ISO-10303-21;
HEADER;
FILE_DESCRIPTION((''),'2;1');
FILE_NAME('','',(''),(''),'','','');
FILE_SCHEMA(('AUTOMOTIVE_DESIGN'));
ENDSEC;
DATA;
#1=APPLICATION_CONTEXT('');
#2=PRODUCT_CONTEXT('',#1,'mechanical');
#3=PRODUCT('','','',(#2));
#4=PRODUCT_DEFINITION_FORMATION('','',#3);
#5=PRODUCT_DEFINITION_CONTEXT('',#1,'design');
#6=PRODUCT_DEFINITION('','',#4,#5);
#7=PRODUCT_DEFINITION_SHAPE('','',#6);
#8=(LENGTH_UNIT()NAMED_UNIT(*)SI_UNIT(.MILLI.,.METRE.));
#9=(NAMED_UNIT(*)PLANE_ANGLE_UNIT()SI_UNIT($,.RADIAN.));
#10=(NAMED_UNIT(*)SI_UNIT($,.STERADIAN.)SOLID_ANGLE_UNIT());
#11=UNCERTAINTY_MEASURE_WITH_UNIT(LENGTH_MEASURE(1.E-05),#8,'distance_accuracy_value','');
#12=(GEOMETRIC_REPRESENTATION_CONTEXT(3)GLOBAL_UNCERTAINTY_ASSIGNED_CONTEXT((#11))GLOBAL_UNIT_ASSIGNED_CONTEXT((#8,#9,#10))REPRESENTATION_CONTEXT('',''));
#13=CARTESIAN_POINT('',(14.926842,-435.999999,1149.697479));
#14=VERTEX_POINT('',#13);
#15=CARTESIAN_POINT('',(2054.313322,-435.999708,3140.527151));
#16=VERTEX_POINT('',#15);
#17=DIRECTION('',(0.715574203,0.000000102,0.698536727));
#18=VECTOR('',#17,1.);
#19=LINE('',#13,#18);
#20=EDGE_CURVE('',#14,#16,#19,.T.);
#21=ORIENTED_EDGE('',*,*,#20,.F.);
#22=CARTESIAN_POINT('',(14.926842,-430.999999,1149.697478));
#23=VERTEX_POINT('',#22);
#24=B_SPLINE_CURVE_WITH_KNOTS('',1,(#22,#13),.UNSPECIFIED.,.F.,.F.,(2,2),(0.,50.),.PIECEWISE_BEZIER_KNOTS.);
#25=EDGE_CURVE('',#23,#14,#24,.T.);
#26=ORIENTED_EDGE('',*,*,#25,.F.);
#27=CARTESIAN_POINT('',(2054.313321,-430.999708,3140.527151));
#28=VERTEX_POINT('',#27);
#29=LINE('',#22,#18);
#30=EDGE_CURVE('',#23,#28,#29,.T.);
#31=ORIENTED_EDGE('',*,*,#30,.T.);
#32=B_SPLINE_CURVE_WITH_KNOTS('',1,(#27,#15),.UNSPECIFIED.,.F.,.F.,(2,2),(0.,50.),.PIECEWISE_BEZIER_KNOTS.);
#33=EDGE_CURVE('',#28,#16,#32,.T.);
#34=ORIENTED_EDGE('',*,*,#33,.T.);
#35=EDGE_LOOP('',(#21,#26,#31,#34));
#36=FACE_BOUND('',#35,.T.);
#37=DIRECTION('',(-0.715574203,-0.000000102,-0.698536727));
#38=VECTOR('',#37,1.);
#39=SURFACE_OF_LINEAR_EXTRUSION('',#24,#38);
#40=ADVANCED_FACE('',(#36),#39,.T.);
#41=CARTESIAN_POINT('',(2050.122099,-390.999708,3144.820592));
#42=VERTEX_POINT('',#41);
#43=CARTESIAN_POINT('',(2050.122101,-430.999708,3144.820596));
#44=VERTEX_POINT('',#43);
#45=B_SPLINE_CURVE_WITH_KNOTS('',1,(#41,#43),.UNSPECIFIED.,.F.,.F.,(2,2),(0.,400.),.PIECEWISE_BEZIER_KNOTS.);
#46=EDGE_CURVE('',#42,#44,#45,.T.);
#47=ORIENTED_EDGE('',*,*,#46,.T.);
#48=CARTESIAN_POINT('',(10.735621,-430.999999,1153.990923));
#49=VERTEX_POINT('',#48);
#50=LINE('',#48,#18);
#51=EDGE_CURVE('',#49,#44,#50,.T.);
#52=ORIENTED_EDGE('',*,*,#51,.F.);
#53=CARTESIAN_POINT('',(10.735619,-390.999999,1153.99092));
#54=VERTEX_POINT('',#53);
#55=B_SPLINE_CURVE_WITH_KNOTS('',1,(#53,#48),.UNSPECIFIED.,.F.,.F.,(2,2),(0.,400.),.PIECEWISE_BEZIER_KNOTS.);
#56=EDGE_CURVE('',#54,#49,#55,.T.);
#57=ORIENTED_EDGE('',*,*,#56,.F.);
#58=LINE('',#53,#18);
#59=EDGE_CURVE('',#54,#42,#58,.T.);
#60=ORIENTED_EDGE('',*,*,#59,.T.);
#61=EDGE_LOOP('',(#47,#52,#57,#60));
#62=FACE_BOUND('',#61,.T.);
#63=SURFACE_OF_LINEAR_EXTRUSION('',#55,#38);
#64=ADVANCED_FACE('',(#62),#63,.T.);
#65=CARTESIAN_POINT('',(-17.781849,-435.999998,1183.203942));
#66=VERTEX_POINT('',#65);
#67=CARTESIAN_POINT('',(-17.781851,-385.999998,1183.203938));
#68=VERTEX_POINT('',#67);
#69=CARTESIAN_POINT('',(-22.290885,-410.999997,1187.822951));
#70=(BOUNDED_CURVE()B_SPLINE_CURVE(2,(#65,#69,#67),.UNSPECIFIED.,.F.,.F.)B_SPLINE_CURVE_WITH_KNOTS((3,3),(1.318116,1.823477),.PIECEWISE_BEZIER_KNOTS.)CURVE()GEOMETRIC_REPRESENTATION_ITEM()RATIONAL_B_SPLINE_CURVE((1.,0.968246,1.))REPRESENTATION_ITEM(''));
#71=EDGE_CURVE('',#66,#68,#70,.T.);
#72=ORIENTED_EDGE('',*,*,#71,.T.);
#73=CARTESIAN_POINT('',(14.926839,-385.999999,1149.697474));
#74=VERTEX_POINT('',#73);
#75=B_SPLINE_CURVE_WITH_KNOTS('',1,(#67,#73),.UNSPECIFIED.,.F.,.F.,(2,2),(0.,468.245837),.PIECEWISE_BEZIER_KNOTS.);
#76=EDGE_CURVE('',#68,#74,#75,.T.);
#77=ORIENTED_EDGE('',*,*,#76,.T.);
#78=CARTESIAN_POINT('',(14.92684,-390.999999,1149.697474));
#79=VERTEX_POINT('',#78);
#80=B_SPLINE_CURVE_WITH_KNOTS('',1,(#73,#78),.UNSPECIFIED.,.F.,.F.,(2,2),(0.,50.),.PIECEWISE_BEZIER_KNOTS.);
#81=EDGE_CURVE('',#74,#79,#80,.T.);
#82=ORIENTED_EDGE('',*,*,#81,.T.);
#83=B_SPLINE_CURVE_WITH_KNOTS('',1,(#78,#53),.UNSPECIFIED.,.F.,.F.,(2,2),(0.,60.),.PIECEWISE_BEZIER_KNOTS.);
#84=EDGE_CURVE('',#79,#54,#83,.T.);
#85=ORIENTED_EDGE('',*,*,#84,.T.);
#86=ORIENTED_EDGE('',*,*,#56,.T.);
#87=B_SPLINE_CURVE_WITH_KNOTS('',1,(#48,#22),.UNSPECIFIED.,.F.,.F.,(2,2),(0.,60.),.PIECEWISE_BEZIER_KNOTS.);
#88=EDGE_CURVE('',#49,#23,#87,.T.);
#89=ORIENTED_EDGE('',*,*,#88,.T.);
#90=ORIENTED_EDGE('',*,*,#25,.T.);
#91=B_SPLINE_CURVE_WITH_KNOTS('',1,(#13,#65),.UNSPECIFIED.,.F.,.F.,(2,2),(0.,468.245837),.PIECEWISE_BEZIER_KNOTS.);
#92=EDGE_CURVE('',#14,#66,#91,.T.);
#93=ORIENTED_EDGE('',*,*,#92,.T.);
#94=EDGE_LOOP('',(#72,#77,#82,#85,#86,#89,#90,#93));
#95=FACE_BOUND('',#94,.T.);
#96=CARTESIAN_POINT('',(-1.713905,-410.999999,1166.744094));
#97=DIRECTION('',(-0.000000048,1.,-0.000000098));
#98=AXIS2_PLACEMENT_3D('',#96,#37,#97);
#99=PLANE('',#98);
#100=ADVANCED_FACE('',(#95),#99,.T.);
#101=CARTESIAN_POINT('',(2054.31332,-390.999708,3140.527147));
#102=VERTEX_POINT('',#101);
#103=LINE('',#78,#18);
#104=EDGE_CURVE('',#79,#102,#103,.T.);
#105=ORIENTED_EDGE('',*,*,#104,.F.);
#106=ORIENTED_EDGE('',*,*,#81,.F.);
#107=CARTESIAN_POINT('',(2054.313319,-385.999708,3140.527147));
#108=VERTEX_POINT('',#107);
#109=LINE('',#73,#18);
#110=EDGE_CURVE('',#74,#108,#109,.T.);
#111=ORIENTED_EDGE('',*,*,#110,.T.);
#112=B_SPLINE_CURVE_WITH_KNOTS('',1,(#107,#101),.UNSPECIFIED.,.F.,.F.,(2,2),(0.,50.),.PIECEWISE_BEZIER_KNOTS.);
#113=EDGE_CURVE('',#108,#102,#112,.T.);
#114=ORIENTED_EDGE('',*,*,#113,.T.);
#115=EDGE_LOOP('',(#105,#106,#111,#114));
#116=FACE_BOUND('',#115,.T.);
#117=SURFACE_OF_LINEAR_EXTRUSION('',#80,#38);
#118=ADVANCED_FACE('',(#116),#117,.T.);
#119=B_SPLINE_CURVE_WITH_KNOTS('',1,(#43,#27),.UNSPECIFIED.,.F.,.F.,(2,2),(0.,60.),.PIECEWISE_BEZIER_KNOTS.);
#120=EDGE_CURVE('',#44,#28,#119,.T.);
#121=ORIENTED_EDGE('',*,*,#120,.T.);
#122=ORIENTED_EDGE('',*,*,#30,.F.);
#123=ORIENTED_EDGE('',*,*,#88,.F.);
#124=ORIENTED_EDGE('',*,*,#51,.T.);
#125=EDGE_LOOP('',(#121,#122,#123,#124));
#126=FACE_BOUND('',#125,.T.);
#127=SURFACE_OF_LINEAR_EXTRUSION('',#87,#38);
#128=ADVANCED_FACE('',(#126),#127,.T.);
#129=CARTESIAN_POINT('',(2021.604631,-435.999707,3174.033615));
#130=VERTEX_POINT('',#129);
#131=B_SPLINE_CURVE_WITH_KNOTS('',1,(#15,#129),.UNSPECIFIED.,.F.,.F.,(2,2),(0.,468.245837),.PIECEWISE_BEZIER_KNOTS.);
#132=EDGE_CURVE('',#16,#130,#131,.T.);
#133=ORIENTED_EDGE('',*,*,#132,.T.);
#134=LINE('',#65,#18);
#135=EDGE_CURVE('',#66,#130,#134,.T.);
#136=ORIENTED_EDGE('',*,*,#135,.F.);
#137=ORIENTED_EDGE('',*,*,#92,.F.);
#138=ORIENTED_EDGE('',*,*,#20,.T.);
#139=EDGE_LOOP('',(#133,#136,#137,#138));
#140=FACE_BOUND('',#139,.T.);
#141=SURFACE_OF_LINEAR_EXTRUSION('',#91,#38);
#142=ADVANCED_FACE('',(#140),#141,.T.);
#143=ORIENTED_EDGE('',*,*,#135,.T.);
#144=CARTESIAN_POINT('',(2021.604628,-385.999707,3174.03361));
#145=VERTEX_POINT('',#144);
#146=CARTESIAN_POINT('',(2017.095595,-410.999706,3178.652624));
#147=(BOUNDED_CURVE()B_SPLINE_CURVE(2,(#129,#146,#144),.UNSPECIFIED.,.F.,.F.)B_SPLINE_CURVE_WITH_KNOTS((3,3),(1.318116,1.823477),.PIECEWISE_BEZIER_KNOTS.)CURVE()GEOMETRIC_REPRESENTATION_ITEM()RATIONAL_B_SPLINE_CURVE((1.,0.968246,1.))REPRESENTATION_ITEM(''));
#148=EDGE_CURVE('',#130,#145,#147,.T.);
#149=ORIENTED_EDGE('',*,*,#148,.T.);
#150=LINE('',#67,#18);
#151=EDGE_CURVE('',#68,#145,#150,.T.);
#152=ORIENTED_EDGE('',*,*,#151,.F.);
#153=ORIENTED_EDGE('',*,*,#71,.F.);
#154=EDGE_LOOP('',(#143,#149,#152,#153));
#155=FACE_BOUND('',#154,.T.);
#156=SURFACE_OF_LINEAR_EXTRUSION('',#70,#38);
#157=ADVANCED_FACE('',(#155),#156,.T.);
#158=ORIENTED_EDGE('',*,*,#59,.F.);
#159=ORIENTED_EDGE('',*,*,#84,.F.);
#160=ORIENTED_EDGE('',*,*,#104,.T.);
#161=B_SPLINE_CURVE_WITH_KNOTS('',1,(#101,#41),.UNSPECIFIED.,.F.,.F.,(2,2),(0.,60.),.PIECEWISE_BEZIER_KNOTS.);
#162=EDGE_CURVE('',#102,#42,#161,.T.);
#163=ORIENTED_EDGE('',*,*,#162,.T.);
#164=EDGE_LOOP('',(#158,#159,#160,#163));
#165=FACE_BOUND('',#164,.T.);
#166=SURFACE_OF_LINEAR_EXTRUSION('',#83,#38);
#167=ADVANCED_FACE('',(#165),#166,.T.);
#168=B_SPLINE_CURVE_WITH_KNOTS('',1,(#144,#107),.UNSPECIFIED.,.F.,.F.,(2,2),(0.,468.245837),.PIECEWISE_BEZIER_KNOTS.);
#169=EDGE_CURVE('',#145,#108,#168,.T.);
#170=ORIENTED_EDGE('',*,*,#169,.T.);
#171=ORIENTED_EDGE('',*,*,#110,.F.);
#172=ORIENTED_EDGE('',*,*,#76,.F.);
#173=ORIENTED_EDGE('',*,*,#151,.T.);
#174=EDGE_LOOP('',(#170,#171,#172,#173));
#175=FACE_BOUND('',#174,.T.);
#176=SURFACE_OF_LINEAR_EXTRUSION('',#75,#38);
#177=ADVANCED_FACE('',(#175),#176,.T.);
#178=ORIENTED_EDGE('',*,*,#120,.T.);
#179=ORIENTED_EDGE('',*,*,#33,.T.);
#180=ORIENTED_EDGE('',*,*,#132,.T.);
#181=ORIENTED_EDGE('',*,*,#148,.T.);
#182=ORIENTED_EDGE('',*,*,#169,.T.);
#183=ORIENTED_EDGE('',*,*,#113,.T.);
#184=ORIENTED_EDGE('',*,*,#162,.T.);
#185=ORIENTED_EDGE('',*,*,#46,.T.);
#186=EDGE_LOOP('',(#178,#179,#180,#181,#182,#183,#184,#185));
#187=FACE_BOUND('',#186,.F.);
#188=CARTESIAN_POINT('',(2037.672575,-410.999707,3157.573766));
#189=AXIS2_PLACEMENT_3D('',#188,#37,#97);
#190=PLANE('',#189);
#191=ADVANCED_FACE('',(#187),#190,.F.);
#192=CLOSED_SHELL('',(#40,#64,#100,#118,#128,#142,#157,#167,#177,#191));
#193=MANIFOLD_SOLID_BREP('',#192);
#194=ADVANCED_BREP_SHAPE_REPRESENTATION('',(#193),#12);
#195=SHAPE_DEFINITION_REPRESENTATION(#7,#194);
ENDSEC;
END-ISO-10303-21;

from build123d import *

# Parameters (mm, degrees)
EXTRUDE001_DEPTH           = 2850
EXTRUDE001_ROLL_ANGLE      = -179.999992
EXTRUDE001_PITCH_ANGLE     = -45.690277
EXTRUDE001_PLACEMENT_ANGLE = 179.999997


with BuildPart() as part:
    # Wire → Extrude001 (new body)
    with BuildSketch(Plane(origin=(-451.161164, -905.45842, 0), x_dir=(0, 1, 0), z_dir=(0, 0, 1))):
        with BuildLine():
            add(Edge.make_bspline(
                [(25, -21.225616), (25, 25.598967)],
                knots=[0, 0, 468.245837, 468.245837], degree=1))
            add(Edge.make_bspline(
                [(25, 25.598967), (20, 25.598967)],
                knots=[0, 0, 50, 50], degree=1))
            add(Edge.make_bspline(
                [(20, 25.598967), (20, 19.598967)],
                knots=[0, 0, 60, 60], degree=1))
            add(Edge.make_bspline(
                [(20, 19.598967), (-20, 19.598967)],
                knots=[0, 0, 400, 400], degree=1))
            add(Edge.make_bspline(
                [(-20, 19.598967), (-20, 25.598967)],
                knots=[0, 0, 60, 60], degree=1))
            add(Edge.make_bspline(
                [(-20, 25.598967), (-25, 25.598967)],
                knots=[0, 0, 50, 50], degree=1))
            add(Edge.make_bspline(
                [(-25, 25.598967), (-25, -21.225616)],
                knots=[0, 0, 468.245837, 468.245837], degree=1))
            add(Edge.make_bspline(
                [(-25, -21.225616), (0, -27.680588), (25, -21.225616)],
                knots=[1.318116, 1.318116, 1.318116, 1.823477, 1.823477, 1.823477], degree=2, weights=[1, 0.968246, 1]))
        make_face()
    extrude(amount=-EXTRUDE001_DEPTH)


with BuildPart() as part_1:
    # Extrude001 roll: moved
    add(part.part.rotate(Axis((0, 0, 0), (1, 0, 0)), EXTRUDE001_ROLL_ANGLE))


with BuildPart() as part_2:
    # Extrude001 pitch: moved
    add(part_1.part.rotate(Axis((0, 0, 0), (0, 1, 0)), EXTRUDE001_PITCH_ANGLE))


with BuildPart() as part_3:
    # Extrude001 placement: moved
    add(part_2.part.moved(Location((-318.107664, 494.458438, 1490.854639))).rotate(Axis((-318.107664, 494.458438, 1490.854639), (0, 0, 1)), EXTRUDE001_PLACEMENT_ANGLE))


solid = part_3.part
